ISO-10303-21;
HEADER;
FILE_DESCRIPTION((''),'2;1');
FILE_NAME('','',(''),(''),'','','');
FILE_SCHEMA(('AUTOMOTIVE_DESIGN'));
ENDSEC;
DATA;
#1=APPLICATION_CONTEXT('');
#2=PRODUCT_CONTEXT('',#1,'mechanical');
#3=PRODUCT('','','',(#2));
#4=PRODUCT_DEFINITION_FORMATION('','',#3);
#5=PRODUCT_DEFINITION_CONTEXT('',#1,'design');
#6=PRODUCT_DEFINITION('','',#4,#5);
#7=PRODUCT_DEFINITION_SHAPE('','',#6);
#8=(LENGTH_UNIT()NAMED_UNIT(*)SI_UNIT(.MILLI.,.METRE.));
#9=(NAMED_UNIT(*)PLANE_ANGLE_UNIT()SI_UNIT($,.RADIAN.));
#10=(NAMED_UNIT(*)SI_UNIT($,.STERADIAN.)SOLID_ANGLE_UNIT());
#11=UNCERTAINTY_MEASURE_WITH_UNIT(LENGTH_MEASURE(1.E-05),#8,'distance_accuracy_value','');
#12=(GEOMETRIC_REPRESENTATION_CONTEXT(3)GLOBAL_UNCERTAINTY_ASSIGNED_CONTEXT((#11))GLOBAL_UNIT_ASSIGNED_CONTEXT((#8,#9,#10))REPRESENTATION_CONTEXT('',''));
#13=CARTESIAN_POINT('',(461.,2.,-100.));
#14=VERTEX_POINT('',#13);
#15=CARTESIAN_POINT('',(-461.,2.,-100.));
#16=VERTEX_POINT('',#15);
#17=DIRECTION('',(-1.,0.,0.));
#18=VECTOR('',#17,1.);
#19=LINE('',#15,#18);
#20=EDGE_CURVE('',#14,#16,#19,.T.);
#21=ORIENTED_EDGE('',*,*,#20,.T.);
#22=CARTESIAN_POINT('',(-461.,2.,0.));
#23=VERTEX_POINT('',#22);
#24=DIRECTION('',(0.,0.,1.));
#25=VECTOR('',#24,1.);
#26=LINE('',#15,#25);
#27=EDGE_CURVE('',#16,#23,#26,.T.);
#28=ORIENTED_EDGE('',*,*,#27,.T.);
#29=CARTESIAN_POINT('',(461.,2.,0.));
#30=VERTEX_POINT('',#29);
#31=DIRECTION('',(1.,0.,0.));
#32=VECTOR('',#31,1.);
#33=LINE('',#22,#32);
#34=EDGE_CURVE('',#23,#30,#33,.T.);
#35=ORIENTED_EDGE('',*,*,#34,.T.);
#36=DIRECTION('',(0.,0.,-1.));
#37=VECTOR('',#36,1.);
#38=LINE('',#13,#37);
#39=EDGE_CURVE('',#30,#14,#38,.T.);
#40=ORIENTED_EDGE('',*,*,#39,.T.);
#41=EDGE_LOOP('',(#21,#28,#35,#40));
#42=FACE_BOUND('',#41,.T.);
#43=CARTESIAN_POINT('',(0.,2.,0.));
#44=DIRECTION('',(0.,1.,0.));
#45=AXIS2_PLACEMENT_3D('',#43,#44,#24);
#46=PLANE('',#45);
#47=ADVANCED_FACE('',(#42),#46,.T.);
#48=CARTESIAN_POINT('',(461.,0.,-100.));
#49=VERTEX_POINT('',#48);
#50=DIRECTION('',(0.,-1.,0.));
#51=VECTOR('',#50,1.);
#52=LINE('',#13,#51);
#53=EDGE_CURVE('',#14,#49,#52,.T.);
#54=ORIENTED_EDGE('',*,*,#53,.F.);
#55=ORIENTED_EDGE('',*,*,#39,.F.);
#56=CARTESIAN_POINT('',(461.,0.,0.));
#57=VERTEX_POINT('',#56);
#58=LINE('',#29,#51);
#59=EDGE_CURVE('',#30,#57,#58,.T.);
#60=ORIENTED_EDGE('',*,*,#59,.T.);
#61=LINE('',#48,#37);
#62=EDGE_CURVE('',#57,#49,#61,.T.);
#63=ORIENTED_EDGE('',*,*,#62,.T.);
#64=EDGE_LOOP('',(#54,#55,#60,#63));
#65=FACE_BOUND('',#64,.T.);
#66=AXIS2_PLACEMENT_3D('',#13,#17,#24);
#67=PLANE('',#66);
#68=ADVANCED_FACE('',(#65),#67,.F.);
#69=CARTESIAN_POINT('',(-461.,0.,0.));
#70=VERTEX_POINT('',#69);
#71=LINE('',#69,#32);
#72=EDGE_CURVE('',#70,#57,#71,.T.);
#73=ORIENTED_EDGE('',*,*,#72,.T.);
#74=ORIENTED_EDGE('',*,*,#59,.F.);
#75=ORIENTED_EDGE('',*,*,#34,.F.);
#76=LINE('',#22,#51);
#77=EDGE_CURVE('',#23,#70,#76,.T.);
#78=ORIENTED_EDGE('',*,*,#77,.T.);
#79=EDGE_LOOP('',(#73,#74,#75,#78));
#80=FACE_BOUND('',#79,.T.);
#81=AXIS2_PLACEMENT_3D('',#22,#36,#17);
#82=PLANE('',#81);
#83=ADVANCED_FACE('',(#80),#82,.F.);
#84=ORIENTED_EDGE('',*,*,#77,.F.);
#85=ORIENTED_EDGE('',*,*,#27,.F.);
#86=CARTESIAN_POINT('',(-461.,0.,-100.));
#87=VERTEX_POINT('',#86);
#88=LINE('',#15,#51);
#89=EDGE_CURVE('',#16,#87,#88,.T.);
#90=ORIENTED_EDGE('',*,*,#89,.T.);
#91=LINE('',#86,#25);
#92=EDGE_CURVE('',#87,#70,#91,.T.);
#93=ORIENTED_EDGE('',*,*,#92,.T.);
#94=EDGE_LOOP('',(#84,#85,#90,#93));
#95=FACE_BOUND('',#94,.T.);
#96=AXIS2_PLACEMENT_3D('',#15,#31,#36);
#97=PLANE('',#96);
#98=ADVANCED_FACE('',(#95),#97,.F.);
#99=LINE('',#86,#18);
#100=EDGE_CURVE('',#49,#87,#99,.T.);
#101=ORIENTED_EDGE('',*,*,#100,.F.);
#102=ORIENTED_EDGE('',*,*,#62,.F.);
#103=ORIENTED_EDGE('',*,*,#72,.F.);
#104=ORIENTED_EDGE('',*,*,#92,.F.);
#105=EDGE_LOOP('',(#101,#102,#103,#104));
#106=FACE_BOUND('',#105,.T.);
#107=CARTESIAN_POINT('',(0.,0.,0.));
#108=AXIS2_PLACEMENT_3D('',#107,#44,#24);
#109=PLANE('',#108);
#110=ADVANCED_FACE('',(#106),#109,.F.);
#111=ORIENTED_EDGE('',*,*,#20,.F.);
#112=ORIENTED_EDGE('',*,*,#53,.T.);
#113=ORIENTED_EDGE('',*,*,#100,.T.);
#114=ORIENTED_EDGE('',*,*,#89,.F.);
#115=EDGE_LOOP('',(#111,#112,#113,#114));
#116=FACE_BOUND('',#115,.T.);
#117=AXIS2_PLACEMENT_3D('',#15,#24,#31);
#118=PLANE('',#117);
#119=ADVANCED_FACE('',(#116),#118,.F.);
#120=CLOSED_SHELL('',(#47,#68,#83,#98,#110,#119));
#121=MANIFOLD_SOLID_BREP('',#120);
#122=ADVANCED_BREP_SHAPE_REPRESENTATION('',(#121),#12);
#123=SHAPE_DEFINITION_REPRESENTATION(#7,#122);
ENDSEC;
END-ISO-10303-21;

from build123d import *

# Parameters (mm, degrees)
SKETCH_1_W      = 922
SKETCH_1_H      = 100
EXTRUDE_1_DEPTH = 2


with BuildPart() as part:
    # 草图1 → 凸台-拉伸1 (new body)
    with BuildSketch(Plane(origin=(0, 0, 0), x_dir=(1, 0, 0), z_dir=(0, 1, 0))):
        with Locations((0, 50)):
            Rectangle(SKETCH_1_W, SKETCH_1_H)
    extrude(amount=EXTRUDE_1_DEPTH)


solid = part.part
